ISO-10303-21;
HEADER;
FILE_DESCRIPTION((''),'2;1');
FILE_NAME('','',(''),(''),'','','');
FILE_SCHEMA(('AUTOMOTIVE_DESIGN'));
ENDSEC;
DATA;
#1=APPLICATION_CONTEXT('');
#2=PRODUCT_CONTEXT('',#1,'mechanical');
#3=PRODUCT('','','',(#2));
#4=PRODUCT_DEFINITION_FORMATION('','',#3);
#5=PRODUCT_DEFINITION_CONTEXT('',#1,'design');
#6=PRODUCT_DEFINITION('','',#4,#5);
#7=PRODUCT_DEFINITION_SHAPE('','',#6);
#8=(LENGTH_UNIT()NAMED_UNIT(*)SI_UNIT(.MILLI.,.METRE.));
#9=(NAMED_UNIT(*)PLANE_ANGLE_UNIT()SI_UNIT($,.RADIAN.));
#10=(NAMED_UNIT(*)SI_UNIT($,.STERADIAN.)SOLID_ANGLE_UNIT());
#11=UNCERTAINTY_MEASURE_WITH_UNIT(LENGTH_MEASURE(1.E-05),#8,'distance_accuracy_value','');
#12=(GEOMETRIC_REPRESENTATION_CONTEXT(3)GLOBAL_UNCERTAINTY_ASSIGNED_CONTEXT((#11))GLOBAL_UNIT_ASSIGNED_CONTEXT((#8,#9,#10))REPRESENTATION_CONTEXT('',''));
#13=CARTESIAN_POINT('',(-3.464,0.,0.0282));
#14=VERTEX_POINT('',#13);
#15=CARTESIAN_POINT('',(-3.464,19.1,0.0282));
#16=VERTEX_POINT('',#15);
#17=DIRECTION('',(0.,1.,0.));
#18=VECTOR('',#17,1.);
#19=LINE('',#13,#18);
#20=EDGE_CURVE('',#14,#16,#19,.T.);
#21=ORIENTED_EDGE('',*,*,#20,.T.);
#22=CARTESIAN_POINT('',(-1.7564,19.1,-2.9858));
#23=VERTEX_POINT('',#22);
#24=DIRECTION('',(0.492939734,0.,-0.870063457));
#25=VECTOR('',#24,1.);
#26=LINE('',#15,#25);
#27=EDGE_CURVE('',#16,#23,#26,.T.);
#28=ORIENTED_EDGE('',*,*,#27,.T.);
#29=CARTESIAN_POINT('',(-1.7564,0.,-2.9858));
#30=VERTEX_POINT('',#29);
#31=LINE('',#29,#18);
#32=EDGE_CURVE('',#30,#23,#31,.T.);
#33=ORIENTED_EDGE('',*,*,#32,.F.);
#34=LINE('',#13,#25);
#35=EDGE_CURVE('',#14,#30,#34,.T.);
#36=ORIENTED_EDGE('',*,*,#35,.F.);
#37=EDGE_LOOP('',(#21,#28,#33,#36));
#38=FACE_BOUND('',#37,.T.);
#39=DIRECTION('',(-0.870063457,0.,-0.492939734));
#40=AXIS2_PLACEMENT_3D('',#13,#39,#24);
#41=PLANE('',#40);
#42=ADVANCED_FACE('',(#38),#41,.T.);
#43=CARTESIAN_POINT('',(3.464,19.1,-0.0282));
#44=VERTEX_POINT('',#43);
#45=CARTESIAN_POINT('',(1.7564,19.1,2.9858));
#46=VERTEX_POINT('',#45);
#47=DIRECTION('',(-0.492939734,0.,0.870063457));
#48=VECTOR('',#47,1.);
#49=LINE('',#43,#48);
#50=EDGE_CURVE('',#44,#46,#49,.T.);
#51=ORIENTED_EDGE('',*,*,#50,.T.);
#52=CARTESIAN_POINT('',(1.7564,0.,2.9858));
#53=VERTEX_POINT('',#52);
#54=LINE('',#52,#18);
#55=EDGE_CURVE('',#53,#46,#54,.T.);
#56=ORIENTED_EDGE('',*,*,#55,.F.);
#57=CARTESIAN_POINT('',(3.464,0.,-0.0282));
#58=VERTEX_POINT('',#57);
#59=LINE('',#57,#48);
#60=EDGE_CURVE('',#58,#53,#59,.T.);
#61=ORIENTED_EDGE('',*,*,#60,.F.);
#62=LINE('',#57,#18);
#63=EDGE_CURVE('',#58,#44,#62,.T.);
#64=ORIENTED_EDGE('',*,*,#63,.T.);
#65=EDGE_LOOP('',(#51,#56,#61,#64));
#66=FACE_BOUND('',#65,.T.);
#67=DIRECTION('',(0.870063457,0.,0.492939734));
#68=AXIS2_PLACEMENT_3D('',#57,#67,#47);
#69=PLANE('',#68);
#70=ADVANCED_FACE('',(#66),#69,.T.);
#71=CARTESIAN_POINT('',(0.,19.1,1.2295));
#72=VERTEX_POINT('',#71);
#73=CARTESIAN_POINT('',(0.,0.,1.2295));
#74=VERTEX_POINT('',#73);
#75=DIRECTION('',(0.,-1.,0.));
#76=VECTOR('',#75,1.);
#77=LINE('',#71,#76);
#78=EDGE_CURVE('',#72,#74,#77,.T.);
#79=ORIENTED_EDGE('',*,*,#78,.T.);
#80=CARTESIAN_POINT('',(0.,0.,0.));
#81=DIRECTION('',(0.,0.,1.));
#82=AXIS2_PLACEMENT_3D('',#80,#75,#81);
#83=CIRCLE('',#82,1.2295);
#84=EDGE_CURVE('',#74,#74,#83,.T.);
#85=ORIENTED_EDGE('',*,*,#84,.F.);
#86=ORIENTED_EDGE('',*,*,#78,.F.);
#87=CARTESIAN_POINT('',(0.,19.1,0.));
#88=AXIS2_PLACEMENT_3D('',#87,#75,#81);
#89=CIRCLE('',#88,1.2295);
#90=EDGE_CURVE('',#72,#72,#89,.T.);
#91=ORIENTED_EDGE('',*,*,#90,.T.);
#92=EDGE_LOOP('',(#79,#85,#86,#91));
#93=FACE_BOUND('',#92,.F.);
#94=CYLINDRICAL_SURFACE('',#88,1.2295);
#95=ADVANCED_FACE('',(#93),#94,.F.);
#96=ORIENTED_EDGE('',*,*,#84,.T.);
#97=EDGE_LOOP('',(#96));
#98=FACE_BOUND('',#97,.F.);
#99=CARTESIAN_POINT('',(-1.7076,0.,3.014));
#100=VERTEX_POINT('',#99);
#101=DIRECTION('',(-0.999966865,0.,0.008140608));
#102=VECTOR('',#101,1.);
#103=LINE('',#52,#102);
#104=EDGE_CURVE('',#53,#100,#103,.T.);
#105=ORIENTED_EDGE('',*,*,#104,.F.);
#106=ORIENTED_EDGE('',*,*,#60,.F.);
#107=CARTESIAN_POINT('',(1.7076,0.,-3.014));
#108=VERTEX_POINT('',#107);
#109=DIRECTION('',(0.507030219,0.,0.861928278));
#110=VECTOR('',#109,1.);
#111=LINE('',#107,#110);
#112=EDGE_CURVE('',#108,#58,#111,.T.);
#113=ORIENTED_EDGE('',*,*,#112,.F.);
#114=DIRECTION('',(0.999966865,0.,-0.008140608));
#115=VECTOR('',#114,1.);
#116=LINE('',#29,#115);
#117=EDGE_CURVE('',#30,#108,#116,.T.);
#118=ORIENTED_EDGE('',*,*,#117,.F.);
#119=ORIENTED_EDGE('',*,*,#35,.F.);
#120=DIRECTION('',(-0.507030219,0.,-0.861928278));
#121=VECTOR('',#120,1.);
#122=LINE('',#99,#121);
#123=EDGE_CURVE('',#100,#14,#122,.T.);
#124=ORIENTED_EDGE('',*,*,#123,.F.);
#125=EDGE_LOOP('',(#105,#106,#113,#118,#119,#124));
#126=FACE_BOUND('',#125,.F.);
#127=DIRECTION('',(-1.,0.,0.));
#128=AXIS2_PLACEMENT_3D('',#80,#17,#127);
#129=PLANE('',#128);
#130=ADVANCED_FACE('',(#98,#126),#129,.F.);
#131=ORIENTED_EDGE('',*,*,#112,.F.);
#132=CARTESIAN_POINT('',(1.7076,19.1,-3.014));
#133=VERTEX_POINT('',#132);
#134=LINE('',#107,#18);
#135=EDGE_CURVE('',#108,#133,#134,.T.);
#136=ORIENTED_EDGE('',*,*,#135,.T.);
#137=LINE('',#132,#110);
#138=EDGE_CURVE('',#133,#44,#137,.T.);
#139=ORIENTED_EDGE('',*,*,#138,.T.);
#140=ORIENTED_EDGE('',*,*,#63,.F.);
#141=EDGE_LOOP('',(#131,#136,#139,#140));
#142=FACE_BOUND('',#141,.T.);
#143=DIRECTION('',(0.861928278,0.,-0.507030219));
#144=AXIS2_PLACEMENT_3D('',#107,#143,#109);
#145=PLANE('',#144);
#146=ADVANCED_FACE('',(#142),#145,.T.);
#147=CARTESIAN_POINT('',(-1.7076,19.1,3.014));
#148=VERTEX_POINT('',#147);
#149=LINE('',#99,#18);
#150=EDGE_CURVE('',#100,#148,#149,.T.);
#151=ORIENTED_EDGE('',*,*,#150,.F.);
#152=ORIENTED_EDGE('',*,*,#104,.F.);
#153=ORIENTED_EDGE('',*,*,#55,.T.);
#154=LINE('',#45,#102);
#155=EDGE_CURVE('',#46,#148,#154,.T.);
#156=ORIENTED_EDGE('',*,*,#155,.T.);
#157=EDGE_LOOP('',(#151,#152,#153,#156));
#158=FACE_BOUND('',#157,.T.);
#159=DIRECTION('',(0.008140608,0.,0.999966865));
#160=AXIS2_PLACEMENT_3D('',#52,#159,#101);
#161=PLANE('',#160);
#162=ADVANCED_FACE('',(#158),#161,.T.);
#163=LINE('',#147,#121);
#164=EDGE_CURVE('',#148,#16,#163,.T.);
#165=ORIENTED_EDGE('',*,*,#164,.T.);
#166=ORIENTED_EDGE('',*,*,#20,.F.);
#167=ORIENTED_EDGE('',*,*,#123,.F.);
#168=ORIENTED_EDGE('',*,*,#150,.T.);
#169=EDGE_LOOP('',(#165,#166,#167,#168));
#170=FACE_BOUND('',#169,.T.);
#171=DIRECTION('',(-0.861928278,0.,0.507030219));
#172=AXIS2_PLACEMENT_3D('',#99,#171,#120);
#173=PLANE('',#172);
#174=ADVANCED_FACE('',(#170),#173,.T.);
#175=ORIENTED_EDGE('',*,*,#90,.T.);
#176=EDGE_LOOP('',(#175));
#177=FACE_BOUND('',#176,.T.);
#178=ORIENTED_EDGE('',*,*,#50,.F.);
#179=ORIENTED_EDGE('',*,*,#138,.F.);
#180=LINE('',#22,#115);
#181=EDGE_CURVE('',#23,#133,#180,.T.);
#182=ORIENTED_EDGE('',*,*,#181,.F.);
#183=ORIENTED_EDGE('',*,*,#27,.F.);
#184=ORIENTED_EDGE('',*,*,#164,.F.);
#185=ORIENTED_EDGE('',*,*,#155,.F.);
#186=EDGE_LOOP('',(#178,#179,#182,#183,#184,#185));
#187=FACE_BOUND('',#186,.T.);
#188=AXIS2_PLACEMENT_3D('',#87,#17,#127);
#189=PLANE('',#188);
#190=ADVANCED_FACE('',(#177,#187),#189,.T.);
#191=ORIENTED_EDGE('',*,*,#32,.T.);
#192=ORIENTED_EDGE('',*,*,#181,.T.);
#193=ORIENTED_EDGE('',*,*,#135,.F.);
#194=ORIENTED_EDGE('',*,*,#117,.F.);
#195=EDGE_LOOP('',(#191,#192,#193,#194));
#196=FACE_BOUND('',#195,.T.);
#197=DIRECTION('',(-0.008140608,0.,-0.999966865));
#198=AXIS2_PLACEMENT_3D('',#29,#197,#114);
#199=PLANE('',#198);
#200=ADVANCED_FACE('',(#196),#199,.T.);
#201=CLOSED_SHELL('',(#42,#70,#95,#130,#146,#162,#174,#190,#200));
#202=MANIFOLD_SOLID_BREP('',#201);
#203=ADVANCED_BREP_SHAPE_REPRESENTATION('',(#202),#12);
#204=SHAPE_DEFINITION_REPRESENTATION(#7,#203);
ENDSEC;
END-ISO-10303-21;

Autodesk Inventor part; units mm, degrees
ref_plane "YZ Plane" through (0, 0, 0) normal (1, 0, 0) x (0, 1, 0)
ref_plane "XZ Plane" through (0, 0, 0) normal (0, 1, 0) x (-1, 0, 0)
ref_plane "XY Plane" through (0, 0, 0) normal (0, 0, 1) x (1, 0, 0)
sketch "Boceto1" plane through (0, 0, 0) normal (0, 1, 0) x (-1, 0, 0)
  line L0 (1.7076, 3.014) -> (3.464, 0.0282)
  line L1 (3.464, 0.0282) -> (1.7564, -2.9858)
  line L2 (1.7564, -2.9858) -> (-1.7076, -3.014)
  line L3 (-1.7076, -3.014) -> (-3.464, -0.0282)
  line L4 (-3.464, -0.0282) -> (-1.7564, 2.9858)
  line L5 (-1.7564, 2.9858) -> (1.7076, 3.014)
  point P0 (0, 0)
  point P1 (0, 0)
  dimension "d0" = 6
extrude "Extrusión1" add sketch "Boceto1" along normal blind 19.1
sketch "Boceto2" plane through (0, 19.1, 0) normal (0, 1, 0) x (1, 0, 0)
  point P0 (0, 0)
  point P1 (0, 0)
hole "Agujero1" at (0, 19.1, 0) direction (0, -1, 0) diameter 2.459 end through all thread size "M3x0.5" class "6H" standard "ISO Metric profile"
properties part number "pataUnion" material "Poliestireno"
